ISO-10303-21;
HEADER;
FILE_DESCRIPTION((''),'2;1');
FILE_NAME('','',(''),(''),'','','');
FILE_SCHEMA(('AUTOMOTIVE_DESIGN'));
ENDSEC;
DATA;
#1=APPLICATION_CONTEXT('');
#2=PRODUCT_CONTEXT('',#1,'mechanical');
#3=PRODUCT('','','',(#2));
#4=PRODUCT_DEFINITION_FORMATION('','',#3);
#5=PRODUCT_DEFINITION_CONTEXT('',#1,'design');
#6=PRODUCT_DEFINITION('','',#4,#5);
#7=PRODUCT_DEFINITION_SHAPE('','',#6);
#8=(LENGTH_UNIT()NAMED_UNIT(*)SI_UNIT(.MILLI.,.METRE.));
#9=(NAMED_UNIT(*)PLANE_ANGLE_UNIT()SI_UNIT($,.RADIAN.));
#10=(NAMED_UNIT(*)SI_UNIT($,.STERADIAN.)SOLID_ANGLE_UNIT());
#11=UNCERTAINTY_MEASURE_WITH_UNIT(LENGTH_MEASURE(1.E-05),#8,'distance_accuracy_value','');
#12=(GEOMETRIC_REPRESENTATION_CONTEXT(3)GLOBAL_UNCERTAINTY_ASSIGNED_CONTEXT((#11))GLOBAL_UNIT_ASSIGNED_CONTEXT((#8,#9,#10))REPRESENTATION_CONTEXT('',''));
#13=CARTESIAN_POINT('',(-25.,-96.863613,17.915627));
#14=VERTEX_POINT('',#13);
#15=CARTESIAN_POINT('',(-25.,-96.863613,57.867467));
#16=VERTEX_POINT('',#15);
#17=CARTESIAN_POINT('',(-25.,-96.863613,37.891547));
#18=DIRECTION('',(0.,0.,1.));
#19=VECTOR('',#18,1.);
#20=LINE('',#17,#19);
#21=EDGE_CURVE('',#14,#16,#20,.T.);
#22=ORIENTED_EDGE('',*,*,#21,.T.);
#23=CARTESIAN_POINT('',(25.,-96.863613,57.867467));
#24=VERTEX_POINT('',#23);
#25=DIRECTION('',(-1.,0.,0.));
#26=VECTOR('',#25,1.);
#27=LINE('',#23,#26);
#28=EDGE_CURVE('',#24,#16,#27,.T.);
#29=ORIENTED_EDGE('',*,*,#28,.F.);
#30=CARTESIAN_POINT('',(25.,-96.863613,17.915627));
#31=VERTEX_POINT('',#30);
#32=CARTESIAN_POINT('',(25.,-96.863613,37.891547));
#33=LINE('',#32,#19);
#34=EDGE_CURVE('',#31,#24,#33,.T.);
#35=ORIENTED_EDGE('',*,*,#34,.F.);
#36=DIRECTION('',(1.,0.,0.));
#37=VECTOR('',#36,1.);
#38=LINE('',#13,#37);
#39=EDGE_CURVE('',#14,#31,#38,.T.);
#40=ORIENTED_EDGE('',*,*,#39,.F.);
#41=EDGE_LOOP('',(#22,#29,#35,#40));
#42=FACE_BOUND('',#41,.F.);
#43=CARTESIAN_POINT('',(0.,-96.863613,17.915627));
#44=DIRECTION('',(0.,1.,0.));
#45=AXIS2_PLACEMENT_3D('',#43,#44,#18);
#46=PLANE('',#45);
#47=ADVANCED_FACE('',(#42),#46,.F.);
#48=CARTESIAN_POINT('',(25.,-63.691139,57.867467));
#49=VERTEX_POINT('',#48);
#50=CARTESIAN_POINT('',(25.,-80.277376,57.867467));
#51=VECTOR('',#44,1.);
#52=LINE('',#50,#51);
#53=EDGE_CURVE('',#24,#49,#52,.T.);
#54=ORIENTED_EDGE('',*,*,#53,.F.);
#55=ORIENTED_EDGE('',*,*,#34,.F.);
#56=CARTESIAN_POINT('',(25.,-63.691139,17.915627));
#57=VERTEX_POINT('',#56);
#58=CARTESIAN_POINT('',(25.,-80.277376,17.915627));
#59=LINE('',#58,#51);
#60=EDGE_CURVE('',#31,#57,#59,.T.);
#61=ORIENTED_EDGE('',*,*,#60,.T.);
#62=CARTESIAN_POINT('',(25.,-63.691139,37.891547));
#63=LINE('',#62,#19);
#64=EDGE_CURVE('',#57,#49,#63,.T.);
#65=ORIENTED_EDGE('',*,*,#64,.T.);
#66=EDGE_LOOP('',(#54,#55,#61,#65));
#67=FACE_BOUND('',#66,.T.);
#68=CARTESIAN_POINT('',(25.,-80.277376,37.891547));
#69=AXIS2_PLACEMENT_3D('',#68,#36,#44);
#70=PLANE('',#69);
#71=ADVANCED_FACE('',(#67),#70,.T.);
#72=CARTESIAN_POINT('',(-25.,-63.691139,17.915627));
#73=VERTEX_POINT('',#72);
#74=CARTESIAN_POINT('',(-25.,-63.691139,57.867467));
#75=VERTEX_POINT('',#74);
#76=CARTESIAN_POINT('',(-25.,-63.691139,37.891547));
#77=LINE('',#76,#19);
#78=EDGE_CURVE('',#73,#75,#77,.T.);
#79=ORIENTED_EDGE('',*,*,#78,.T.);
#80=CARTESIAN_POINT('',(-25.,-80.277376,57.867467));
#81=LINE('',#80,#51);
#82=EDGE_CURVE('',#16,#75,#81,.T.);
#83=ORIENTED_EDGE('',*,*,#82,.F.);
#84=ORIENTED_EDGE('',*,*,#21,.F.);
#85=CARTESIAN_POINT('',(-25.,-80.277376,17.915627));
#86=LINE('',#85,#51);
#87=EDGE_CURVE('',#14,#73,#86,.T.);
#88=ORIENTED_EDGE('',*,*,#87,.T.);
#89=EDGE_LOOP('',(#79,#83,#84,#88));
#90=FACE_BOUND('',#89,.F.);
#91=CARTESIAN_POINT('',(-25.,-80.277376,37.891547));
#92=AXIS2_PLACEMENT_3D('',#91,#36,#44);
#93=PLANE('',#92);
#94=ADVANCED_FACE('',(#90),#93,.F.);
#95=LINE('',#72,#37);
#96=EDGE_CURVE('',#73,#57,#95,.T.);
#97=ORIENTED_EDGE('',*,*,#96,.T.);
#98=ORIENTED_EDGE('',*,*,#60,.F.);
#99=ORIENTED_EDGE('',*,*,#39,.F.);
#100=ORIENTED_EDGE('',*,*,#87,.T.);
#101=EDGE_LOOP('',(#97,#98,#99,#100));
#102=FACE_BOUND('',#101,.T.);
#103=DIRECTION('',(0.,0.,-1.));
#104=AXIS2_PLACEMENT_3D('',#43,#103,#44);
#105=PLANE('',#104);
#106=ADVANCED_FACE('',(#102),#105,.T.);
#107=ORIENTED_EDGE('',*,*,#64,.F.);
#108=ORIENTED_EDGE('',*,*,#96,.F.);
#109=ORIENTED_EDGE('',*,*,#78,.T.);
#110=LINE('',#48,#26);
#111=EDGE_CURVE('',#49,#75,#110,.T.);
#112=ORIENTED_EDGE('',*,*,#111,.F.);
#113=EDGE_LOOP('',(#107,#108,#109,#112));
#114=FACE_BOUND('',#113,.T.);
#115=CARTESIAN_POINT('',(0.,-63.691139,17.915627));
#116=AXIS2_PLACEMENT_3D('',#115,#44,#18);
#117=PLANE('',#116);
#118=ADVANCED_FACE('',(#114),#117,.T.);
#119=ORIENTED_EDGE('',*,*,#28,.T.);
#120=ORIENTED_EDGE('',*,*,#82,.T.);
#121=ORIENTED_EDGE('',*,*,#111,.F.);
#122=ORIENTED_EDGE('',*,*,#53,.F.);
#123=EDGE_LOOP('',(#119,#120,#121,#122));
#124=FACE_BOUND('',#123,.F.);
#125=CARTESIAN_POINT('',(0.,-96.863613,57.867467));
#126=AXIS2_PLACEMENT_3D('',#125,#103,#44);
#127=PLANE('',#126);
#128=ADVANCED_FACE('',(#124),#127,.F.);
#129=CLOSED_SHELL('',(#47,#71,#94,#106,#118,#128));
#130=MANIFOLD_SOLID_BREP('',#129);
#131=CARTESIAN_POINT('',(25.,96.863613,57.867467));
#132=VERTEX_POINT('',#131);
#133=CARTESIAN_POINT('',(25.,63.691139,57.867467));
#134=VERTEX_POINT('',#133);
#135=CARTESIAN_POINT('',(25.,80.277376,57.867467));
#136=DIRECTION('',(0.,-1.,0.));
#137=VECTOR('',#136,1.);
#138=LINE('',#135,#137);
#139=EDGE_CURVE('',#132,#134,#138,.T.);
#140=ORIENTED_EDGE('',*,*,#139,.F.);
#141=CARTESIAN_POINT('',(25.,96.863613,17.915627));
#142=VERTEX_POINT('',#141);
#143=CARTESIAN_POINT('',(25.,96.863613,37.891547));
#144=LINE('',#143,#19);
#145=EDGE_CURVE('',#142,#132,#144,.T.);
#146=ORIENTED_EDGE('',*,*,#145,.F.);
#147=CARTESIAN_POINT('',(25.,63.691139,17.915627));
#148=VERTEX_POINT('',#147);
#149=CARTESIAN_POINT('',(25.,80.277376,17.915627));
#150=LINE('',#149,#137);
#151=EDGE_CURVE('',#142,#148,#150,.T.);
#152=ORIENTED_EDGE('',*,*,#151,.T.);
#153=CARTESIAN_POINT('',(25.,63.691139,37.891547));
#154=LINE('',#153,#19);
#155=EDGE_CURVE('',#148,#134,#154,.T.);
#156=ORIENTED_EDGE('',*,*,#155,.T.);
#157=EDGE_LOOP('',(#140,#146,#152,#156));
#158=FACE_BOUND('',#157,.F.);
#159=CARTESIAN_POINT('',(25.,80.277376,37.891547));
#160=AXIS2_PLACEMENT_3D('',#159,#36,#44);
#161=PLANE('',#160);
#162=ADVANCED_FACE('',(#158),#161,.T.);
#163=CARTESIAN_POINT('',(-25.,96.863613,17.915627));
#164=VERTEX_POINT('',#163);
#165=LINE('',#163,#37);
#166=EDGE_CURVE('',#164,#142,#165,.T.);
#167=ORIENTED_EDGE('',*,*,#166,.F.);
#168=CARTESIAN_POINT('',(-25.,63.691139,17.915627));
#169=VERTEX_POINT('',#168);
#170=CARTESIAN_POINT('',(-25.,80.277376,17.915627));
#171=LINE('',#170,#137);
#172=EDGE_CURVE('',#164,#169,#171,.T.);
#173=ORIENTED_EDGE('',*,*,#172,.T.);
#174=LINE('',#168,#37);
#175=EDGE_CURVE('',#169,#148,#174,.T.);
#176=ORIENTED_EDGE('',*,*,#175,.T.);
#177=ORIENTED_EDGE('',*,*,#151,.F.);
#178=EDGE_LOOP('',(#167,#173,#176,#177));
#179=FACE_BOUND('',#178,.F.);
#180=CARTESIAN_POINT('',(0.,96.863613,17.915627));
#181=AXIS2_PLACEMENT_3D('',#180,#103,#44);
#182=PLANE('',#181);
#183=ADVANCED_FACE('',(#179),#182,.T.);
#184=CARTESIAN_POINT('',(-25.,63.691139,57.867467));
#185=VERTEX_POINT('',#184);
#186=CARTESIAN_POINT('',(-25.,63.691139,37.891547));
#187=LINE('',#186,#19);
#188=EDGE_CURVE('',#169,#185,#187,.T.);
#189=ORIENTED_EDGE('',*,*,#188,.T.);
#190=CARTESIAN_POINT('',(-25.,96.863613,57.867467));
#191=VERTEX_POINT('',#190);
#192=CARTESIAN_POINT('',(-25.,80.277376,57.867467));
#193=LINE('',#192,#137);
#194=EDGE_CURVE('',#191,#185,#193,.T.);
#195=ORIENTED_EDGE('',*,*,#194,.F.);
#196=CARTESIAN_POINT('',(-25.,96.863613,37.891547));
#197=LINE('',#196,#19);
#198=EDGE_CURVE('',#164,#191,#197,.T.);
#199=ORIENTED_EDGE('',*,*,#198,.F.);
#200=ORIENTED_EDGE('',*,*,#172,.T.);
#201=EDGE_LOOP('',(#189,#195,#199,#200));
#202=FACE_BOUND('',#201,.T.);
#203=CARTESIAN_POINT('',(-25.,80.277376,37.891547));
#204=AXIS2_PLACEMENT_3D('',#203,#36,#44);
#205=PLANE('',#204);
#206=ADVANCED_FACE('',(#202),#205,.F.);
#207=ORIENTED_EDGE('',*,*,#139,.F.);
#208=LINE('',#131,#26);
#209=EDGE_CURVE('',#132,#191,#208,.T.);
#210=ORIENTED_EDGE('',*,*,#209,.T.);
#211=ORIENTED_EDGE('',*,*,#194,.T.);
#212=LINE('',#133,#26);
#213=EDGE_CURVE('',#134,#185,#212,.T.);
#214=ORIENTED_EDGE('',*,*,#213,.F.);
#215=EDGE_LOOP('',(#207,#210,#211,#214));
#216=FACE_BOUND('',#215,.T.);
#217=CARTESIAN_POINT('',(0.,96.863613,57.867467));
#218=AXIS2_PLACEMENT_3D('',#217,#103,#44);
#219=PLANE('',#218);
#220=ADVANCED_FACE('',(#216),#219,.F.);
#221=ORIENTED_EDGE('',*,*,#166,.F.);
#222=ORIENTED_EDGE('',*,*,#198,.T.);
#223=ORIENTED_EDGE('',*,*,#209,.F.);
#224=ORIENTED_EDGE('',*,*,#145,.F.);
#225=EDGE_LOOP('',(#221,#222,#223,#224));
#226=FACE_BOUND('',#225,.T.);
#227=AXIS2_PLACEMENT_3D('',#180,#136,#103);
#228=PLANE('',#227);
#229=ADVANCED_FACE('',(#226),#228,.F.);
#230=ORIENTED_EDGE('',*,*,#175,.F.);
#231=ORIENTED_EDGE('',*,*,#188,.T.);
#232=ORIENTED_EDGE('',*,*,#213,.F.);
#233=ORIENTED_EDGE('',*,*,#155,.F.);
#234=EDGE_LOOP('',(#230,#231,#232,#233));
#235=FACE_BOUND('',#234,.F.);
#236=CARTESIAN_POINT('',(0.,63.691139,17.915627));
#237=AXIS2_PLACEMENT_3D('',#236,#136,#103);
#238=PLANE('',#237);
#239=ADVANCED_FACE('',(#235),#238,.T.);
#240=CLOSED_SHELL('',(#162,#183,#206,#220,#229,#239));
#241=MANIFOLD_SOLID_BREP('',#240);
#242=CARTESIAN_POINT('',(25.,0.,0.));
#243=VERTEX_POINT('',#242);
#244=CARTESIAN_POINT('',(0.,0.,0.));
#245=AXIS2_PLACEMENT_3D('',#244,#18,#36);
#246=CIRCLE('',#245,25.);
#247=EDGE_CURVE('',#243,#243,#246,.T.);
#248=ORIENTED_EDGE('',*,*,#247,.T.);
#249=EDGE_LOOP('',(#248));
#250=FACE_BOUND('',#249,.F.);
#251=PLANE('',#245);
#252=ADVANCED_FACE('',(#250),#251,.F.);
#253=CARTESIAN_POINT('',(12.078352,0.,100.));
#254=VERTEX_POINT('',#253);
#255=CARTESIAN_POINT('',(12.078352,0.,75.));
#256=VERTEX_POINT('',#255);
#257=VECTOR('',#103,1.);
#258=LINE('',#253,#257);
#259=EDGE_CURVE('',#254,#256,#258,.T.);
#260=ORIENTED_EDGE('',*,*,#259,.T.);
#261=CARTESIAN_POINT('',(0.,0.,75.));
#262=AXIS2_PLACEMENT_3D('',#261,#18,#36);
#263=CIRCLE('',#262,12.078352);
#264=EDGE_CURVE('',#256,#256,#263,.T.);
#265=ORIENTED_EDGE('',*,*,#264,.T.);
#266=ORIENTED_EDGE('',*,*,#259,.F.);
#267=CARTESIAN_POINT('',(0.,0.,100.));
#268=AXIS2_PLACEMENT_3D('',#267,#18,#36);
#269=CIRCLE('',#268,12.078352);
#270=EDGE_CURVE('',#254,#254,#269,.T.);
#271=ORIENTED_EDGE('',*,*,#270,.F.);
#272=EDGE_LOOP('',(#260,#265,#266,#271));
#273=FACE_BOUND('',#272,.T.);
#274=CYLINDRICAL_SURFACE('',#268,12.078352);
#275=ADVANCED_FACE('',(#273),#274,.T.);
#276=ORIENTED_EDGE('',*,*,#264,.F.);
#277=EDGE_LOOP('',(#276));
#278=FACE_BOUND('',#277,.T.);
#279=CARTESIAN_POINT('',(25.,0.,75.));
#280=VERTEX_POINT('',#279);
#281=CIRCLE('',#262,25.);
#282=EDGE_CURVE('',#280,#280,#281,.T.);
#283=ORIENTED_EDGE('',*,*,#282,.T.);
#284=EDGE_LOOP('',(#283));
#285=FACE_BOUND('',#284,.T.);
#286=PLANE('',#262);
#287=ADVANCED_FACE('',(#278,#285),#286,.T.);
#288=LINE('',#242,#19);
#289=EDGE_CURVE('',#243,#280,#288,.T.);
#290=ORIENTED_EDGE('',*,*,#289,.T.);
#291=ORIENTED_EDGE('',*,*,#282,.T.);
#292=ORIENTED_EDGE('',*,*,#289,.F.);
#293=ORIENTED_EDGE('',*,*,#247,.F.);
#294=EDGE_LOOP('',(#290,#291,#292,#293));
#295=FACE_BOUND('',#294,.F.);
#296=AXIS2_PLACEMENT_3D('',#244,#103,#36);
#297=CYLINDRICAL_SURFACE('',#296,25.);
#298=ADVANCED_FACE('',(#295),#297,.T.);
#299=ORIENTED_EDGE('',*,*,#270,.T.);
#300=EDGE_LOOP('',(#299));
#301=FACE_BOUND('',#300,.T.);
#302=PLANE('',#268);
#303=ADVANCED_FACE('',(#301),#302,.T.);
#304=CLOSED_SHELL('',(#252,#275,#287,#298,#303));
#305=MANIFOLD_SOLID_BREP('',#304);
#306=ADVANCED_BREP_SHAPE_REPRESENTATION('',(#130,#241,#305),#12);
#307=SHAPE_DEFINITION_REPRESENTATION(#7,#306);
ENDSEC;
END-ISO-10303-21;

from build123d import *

# Parameters (mm, degrees)
F0_R     = 25
F1_DEPTH = 100
F2_R     = 25
F2_R_2   = 12.078352
F3_DEPTH = 25
F4_W     = 33.172474
F4_H     = 39.95184
F5_DEPTH = 25


with BuildPart() as f1:
    # F0 (on Top) → F1 (new body)
    with BuildSketch(Plane.XY):
        Circle(F0_R)
    extrude(amount=F1_DEPTH)

    # F2 (on face) → F3 (cut)
    with BuildSketch(Plane.XY.offset(100)):
        Circle(F2_R)
        Circle(F2_R_2, mode=Mode.SUBTRACT)
    extrude(amount=-F3_DEPTH, mode=Mode.SUBTRACT)


with BuildPart() as f5:
    # F4 (on Right) → F5 (new body, symmetric)
    with BuildSketch(Plane.YZ):
        with Locations((-80.277376, 37.891547)):
            Rectangle(F4_W, F4_H)
    extrude(amount=F5_DEPTH, both=True)


with BuildPart() as f6_1:
    # F6: instance of F5
    add(f5.part.mirror(Plane.XZ))


solid = Compound([f1.part, f5.part, f6_1.part])
